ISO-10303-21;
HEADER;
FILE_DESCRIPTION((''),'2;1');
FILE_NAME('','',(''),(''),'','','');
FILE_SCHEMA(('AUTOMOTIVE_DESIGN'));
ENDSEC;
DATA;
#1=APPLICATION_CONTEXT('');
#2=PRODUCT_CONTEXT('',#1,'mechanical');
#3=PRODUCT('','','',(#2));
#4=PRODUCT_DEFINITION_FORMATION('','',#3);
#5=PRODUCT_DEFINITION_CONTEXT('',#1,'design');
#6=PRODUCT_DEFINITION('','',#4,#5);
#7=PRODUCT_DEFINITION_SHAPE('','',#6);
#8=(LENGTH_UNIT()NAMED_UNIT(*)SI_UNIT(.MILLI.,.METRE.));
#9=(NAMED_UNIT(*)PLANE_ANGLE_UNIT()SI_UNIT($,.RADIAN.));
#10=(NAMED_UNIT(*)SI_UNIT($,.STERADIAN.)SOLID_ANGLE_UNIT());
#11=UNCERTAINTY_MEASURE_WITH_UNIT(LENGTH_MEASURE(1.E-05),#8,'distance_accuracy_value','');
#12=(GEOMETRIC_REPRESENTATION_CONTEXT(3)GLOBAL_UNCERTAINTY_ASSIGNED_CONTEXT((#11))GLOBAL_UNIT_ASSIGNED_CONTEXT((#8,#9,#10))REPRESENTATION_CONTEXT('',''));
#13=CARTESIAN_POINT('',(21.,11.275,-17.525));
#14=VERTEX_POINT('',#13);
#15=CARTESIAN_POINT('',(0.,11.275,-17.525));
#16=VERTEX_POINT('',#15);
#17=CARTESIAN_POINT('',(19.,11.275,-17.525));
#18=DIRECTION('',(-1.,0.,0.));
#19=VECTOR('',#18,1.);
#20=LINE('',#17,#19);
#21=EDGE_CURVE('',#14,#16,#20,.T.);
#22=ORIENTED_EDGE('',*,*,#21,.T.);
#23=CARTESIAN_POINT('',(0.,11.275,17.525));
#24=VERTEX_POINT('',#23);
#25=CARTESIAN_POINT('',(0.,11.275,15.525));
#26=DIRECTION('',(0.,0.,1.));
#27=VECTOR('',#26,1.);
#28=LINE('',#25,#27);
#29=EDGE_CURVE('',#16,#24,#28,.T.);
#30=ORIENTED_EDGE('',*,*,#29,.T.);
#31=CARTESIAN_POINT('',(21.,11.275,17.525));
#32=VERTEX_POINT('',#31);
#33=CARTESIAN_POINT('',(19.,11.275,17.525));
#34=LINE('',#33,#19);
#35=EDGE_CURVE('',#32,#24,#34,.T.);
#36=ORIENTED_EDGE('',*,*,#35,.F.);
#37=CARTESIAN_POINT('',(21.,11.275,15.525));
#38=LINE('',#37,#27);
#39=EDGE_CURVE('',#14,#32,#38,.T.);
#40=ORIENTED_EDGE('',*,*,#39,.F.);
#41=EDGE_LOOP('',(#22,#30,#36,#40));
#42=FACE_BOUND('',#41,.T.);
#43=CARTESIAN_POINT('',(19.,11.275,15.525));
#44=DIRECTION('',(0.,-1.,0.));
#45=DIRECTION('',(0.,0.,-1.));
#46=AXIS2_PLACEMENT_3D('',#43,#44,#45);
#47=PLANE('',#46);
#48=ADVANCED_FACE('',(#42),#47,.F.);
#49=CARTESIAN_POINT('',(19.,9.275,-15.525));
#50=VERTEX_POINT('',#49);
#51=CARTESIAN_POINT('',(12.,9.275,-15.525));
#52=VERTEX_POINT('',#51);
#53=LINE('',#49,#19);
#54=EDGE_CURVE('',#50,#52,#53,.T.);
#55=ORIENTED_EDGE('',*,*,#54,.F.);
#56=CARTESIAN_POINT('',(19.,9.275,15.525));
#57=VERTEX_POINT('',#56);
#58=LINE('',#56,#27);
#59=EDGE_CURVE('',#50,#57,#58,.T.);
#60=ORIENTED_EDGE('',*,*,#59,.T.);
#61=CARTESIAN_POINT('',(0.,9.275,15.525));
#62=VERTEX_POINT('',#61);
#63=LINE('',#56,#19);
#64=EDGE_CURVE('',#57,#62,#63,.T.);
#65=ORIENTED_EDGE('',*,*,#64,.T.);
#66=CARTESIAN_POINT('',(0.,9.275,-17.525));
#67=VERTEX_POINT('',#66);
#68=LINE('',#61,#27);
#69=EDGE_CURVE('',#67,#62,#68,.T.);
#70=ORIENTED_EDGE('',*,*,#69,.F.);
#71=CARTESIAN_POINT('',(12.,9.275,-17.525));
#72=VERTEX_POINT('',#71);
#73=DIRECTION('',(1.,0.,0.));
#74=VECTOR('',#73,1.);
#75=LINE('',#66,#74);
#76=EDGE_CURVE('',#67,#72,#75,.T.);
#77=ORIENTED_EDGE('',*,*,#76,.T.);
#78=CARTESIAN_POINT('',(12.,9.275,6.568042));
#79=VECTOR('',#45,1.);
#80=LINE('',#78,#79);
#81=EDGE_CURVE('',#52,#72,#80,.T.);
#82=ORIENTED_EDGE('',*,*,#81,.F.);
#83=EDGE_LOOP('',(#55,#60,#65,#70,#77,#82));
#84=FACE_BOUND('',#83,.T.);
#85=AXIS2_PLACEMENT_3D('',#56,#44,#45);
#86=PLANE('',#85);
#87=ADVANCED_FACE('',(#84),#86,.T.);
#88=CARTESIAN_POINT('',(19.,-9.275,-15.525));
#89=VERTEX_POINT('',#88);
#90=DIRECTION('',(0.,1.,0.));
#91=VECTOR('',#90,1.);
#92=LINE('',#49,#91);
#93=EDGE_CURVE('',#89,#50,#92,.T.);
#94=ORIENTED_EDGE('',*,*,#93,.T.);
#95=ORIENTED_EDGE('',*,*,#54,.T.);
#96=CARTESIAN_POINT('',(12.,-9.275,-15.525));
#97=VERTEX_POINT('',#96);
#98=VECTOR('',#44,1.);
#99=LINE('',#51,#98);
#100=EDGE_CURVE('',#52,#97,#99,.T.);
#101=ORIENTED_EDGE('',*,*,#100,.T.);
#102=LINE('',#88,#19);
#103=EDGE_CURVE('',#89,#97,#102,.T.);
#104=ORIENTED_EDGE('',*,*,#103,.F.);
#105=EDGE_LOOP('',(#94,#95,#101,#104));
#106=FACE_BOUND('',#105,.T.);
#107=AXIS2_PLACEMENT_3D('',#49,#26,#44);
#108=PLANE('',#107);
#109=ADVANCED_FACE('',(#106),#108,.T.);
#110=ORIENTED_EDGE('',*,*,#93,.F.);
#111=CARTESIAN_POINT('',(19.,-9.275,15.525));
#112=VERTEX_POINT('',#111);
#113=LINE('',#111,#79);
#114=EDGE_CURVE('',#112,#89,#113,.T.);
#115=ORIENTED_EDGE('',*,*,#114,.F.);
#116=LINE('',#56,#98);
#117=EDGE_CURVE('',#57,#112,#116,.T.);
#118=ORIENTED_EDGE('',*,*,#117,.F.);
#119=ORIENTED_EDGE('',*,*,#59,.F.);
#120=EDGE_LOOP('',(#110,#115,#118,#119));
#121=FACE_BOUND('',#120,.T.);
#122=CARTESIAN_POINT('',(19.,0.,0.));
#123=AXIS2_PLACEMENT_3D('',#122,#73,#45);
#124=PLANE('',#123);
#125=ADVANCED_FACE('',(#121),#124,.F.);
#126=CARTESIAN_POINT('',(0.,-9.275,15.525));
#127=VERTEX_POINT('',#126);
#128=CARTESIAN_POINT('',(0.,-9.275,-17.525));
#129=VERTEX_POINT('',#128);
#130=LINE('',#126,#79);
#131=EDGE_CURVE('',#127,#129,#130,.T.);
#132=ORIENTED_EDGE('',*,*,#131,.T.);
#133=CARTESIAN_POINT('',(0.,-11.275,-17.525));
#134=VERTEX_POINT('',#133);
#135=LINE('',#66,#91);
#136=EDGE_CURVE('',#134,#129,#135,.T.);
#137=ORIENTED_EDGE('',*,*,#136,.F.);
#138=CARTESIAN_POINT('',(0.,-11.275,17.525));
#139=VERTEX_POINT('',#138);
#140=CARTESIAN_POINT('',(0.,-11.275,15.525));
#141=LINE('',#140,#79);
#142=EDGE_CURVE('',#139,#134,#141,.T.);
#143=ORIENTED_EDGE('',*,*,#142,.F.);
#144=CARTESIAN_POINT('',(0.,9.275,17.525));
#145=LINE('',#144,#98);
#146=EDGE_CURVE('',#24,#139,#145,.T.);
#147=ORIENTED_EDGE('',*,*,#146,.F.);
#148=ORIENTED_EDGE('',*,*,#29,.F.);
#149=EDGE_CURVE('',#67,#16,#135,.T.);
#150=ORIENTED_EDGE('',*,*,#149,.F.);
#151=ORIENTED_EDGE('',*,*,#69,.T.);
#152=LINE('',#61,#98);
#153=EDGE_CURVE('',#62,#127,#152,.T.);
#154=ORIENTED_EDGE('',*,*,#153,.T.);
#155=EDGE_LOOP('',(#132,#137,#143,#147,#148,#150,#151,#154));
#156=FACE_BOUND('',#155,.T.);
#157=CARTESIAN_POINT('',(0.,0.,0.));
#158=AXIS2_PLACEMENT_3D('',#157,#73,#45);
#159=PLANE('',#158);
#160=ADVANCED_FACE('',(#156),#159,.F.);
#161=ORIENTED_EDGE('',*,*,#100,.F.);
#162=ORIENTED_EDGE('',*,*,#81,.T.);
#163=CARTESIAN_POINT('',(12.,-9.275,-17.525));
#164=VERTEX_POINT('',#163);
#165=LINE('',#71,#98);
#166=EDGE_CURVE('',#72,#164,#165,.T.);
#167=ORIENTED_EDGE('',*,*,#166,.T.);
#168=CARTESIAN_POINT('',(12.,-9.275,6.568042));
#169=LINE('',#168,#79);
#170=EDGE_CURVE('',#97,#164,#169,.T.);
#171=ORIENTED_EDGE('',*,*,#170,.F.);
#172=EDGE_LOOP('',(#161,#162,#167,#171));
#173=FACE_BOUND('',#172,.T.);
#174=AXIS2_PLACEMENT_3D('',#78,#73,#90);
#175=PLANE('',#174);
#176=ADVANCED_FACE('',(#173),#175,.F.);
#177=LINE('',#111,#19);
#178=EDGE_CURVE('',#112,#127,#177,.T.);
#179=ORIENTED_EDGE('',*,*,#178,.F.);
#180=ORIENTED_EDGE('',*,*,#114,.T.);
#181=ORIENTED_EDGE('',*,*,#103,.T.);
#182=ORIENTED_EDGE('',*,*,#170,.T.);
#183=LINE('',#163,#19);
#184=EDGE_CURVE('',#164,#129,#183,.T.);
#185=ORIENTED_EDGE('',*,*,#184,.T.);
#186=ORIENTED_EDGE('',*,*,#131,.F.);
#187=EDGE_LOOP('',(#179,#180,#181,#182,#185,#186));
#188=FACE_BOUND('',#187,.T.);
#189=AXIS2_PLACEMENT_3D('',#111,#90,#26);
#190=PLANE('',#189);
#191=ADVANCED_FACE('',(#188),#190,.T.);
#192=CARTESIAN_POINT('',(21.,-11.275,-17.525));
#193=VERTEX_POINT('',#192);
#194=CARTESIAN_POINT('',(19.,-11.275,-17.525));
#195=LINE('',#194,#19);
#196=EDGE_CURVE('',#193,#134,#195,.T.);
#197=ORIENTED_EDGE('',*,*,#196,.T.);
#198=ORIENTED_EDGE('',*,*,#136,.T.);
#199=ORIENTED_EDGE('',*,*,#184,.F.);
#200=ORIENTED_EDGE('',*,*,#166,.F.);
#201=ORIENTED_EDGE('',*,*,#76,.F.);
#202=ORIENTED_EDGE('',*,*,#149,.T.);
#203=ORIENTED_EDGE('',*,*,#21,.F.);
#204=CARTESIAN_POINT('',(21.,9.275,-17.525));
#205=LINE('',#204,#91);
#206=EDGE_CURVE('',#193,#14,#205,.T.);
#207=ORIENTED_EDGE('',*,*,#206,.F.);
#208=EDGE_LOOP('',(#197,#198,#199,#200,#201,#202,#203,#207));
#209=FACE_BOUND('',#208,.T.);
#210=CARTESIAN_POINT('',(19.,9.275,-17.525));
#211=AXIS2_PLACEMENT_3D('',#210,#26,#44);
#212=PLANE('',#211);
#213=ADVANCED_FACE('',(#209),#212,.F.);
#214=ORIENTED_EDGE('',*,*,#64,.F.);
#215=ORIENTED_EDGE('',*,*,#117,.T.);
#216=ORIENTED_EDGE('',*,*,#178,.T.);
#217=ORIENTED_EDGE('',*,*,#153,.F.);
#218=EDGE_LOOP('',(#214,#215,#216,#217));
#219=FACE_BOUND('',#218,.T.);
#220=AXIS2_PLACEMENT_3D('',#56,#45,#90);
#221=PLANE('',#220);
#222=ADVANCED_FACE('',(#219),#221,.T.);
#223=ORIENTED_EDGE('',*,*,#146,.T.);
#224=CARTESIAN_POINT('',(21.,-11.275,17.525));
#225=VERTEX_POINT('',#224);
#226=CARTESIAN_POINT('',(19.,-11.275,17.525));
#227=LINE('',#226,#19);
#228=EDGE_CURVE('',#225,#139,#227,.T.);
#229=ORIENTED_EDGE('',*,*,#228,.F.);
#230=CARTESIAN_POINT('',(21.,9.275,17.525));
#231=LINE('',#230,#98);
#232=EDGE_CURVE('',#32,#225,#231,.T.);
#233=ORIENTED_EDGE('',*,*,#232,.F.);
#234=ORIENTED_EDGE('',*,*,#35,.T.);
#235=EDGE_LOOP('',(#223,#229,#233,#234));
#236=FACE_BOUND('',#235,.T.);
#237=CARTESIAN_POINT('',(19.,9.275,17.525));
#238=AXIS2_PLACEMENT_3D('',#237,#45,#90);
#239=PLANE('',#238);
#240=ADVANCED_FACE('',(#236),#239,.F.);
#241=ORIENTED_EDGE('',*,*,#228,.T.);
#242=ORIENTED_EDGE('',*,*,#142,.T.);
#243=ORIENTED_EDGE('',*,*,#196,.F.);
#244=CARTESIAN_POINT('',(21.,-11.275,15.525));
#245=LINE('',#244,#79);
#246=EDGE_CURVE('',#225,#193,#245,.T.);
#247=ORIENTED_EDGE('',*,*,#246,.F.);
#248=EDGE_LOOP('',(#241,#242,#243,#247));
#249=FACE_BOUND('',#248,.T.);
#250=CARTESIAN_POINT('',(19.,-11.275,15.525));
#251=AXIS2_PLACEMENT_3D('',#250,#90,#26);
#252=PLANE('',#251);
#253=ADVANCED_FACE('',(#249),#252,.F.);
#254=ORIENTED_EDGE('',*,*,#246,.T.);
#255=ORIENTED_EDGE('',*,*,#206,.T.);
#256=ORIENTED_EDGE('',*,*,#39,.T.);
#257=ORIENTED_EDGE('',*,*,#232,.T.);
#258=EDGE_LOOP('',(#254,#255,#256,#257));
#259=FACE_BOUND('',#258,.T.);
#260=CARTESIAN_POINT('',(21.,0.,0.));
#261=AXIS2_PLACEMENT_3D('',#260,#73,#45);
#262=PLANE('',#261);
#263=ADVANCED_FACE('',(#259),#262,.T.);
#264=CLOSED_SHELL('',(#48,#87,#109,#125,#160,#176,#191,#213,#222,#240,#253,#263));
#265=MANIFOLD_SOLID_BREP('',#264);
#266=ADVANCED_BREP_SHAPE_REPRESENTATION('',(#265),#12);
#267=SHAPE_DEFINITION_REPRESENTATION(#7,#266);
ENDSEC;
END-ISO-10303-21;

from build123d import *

# Parameters (mm, degrees)
SKETCH4_W           = 31.05
SKETCH4_H           = 18.55
BOSS_EXTRUDE1_DEPTH = 19
SHELL1_T            = 2
SKETCH5_W           = 12
SKETCH5_H           = 18.55
CUT_EXTRUDE1_DEPTH  = 2


with BuildPart() as part:
    # Sketch4 → Boss-Extrude1 (new body)
    with BuildSketch(Plane(origin=(0, 0, 0), x_dir=(0, 0, -1), z_dir=(1, 0, 0))):
        Rectangle(SKETCH4_W, SKETCH4_H)
    extrude(amount=BOSS_EXTRUDE1_DEPTH)

    # Shell1
    shell1_openings = [part.faces().sort_by_distance(p)[0] for p in [
        (0, 0, 0),
    ]]
    offset(amount=SHELL1_T, openings=shell1_openings, kind=Kind.INTERSECTION)

    # Sketch5 → Cut-Extrude1 (cut)
    with BuildSketch(Plane(origin=(0, 0, -17.525), x_dir=(-1, 0, 0), z_dir=(0, 0, -1))):
        with Locations((-6, 0)):
            Rectangle(SKETCH5_W, SKETCH5_H)
    extrude(amount=-CUT_EXTRUDE1_DEPTH, mode=Mode.SUBTRACT)


solid = part.part
